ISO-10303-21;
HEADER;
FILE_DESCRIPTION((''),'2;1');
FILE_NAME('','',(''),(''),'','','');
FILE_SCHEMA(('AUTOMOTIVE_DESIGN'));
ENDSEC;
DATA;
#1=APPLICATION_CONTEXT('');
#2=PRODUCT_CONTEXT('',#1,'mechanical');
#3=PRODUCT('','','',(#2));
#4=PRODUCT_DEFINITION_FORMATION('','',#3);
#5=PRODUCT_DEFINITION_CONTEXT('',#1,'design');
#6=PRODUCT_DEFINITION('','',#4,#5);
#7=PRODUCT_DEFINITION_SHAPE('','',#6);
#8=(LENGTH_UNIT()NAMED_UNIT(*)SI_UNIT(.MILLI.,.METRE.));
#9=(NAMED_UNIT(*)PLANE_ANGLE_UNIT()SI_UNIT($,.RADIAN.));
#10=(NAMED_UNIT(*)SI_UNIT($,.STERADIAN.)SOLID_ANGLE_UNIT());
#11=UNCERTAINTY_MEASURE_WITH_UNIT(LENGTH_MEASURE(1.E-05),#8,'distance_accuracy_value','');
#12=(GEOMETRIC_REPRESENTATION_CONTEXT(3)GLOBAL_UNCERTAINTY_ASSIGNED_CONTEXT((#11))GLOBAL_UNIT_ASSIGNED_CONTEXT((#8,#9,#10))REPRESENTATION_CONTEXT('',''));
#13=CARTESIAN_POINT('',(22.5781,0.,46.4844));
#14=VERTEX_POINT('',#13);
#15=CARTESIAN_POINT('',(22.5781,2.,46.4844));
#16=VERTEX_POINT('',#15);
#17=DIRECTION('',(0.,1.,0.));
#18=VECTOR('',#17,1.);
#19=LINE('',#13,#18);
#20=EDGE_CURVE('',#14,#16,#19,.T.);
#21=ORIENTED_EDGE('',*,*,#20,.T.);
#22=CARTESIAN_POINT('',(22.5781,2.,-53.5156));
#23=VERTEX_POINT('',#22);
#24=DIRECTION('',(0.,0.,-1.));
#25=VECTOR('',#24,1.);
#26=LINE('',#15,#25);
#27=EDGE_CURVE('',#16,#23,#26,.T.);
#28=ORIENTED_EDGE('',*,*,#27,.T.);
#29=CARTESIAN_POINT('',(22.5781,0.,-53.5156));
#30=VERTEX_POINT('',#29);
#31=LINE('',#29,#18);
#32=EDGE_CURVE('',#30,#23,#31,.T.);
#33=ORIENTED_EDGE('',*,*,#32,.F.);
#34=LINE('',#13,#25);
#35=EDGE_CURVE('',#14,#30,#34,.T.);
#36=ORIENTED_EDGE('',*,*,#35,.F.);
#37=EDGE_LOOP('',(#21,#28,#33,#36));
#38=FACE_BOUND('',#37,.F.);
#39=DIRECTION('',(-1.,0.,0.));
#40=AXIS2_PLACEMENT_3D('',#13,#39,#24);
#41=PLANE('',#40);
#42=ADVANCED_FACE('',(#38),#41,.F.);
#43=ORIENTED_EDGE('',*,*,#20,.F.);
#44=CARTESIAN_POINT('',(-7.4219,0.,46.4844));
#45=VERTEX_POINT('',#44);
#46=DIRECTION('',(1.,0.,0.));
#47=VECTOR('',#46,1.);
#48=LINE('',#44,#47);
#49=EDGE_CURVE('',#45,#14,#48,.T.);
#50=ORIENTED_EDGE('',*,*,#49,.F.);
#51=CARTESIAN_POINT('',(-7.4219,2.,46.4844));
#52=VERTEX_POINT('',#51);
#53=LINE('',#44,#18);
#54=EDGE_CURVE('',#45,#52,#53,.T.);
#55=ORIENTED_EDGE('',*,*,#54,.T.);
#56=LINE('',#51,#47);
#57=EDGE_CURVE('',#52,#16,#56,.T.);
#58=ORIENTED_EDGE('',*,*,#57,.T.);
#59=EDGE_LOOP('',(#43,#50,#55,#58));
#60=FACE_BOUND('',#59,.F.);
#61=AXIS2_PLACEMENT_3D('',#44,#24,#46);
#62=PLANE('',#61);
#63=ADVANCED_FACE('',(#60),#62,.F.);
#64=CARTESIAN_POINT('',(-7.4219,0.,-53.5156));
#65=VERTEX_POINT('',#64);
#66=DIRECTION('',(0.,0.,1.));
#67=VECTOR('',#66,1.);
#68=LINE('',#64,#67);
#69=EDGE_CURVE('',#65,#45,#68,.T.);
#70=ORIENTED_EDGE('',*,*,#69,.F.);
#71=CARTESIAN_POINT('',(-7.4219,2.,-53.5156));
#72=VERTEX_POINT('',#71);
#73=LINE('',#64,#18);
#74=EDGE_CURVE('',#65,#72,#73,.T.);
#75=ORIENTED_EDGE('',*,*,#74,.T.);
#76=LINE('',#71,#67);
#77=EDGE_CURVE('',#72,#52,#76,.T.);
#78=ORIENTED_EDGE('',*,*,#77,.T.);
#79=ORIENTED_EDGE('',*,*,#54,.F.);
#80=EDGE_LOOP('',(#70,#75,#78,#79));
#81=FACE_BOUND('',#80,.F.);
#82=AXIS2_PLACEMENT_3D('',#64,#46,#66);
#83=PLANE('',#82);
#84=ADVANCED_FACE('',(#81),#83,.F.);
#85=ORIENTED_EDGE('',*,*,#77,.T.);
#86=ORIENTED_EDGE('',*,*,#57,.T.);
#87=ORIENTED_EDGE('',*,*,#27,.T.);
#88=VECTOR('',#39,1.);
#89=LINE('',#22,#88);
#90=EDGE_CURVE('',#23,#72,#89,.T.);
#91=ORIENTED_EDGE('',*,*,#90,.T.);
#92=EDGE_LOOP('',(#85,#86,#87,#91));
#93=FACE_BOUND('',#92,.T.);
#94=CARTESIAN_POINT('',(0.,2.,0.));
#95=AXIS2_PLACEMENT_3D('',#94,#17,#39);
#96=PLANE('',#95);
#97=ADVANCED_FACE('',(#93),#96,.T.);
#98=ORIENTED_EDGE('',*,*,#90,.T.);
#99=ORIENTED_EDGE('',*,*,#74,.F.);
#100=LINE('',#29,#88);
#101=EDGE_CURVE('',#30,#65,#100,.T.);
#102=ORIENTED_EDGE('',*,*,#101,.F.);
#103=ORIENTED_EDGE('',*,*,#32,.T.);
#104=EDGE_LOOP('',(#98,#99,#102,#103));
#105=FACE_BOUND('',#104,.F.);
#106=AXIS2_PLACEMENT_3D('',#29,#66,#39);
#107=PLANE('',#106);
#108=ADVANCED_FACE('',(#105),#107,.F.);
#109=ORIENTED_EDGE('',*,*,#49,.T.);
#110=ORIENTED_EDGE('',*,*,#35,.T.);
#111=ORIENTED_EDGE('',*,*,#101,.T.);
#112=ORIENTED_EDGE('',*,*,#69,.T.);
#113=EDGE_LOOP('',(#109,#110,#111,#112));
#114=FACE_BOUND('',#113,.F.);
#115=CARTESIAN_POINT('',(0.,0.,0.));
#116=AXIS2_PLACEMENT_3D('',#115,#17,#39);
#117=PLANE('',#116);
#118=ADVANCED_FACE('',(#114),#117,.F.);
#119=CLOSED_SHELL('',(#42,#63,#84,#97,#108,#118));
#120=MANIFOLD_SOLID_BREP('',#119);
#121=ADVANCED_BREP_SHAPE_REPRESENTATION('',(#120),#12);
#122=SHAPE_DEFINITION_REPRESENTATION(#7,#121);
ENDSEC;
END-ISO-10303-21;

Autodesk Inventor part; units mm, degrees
ref_plane "YZ Plane" through (0, 0, 0) normal (1, 0, 0) x (0, 1, 0)
ref_plane "XZ Plane" through (0, 0, 0) normal (0, 1, 0) x (-1, 0, 0)
ref_plane "XY Plane" through (0, 0, 0) normal (0, 0, 1) x (1, 0, 0)
sketch "Sketch1" plane through (0, 0, 0) normal (0, 1, 0) x (-1, 0, 0)
  line L0 (7.4219, 46.4844) -> (-22.5781, 46.4844)
  line L1 (-22.5781, 46.4844) -> (-22.5781, -53.5156)
  line L2 (-22.5781, -53.5156) -> (7.4219, -53.5156)
  line L3 (7.4219, -53.5156) -> (7.4219, 46.4844)
  point P0 (0, 0)
  dimension "d0" = 100
  dimension "d1" = 32
extrude "Extrusion1" add sketch "Sketch1" along normal blind 2
equation "\"d0\" = BoardLength"
equation "\"d1\" = BoardWidth"
equation "\"d2\" = BoardHeight"
equation "\"BoardWidth\" = 32"
equation "\"BoardLength\" = 100"
equation "\"BoardHeight\" = 2"
equation "\"PinsFromEdge\" = 2"
equation "\"Side2\" = 50.48"
equation "\"TopSinglePins\" = 28.73"
equation "\"Top2\" = 53.02"
equation "\"Side1\" = 30.16"
equation "\"TopPins\" = 27.46"
equation "\"Top1\" = 23.81"
equation "\"Side3\" = 70.8"
equation "\"PinWidth\" = 2.54"
properties part number "P1001-001-005-320 - Controller Flash"
